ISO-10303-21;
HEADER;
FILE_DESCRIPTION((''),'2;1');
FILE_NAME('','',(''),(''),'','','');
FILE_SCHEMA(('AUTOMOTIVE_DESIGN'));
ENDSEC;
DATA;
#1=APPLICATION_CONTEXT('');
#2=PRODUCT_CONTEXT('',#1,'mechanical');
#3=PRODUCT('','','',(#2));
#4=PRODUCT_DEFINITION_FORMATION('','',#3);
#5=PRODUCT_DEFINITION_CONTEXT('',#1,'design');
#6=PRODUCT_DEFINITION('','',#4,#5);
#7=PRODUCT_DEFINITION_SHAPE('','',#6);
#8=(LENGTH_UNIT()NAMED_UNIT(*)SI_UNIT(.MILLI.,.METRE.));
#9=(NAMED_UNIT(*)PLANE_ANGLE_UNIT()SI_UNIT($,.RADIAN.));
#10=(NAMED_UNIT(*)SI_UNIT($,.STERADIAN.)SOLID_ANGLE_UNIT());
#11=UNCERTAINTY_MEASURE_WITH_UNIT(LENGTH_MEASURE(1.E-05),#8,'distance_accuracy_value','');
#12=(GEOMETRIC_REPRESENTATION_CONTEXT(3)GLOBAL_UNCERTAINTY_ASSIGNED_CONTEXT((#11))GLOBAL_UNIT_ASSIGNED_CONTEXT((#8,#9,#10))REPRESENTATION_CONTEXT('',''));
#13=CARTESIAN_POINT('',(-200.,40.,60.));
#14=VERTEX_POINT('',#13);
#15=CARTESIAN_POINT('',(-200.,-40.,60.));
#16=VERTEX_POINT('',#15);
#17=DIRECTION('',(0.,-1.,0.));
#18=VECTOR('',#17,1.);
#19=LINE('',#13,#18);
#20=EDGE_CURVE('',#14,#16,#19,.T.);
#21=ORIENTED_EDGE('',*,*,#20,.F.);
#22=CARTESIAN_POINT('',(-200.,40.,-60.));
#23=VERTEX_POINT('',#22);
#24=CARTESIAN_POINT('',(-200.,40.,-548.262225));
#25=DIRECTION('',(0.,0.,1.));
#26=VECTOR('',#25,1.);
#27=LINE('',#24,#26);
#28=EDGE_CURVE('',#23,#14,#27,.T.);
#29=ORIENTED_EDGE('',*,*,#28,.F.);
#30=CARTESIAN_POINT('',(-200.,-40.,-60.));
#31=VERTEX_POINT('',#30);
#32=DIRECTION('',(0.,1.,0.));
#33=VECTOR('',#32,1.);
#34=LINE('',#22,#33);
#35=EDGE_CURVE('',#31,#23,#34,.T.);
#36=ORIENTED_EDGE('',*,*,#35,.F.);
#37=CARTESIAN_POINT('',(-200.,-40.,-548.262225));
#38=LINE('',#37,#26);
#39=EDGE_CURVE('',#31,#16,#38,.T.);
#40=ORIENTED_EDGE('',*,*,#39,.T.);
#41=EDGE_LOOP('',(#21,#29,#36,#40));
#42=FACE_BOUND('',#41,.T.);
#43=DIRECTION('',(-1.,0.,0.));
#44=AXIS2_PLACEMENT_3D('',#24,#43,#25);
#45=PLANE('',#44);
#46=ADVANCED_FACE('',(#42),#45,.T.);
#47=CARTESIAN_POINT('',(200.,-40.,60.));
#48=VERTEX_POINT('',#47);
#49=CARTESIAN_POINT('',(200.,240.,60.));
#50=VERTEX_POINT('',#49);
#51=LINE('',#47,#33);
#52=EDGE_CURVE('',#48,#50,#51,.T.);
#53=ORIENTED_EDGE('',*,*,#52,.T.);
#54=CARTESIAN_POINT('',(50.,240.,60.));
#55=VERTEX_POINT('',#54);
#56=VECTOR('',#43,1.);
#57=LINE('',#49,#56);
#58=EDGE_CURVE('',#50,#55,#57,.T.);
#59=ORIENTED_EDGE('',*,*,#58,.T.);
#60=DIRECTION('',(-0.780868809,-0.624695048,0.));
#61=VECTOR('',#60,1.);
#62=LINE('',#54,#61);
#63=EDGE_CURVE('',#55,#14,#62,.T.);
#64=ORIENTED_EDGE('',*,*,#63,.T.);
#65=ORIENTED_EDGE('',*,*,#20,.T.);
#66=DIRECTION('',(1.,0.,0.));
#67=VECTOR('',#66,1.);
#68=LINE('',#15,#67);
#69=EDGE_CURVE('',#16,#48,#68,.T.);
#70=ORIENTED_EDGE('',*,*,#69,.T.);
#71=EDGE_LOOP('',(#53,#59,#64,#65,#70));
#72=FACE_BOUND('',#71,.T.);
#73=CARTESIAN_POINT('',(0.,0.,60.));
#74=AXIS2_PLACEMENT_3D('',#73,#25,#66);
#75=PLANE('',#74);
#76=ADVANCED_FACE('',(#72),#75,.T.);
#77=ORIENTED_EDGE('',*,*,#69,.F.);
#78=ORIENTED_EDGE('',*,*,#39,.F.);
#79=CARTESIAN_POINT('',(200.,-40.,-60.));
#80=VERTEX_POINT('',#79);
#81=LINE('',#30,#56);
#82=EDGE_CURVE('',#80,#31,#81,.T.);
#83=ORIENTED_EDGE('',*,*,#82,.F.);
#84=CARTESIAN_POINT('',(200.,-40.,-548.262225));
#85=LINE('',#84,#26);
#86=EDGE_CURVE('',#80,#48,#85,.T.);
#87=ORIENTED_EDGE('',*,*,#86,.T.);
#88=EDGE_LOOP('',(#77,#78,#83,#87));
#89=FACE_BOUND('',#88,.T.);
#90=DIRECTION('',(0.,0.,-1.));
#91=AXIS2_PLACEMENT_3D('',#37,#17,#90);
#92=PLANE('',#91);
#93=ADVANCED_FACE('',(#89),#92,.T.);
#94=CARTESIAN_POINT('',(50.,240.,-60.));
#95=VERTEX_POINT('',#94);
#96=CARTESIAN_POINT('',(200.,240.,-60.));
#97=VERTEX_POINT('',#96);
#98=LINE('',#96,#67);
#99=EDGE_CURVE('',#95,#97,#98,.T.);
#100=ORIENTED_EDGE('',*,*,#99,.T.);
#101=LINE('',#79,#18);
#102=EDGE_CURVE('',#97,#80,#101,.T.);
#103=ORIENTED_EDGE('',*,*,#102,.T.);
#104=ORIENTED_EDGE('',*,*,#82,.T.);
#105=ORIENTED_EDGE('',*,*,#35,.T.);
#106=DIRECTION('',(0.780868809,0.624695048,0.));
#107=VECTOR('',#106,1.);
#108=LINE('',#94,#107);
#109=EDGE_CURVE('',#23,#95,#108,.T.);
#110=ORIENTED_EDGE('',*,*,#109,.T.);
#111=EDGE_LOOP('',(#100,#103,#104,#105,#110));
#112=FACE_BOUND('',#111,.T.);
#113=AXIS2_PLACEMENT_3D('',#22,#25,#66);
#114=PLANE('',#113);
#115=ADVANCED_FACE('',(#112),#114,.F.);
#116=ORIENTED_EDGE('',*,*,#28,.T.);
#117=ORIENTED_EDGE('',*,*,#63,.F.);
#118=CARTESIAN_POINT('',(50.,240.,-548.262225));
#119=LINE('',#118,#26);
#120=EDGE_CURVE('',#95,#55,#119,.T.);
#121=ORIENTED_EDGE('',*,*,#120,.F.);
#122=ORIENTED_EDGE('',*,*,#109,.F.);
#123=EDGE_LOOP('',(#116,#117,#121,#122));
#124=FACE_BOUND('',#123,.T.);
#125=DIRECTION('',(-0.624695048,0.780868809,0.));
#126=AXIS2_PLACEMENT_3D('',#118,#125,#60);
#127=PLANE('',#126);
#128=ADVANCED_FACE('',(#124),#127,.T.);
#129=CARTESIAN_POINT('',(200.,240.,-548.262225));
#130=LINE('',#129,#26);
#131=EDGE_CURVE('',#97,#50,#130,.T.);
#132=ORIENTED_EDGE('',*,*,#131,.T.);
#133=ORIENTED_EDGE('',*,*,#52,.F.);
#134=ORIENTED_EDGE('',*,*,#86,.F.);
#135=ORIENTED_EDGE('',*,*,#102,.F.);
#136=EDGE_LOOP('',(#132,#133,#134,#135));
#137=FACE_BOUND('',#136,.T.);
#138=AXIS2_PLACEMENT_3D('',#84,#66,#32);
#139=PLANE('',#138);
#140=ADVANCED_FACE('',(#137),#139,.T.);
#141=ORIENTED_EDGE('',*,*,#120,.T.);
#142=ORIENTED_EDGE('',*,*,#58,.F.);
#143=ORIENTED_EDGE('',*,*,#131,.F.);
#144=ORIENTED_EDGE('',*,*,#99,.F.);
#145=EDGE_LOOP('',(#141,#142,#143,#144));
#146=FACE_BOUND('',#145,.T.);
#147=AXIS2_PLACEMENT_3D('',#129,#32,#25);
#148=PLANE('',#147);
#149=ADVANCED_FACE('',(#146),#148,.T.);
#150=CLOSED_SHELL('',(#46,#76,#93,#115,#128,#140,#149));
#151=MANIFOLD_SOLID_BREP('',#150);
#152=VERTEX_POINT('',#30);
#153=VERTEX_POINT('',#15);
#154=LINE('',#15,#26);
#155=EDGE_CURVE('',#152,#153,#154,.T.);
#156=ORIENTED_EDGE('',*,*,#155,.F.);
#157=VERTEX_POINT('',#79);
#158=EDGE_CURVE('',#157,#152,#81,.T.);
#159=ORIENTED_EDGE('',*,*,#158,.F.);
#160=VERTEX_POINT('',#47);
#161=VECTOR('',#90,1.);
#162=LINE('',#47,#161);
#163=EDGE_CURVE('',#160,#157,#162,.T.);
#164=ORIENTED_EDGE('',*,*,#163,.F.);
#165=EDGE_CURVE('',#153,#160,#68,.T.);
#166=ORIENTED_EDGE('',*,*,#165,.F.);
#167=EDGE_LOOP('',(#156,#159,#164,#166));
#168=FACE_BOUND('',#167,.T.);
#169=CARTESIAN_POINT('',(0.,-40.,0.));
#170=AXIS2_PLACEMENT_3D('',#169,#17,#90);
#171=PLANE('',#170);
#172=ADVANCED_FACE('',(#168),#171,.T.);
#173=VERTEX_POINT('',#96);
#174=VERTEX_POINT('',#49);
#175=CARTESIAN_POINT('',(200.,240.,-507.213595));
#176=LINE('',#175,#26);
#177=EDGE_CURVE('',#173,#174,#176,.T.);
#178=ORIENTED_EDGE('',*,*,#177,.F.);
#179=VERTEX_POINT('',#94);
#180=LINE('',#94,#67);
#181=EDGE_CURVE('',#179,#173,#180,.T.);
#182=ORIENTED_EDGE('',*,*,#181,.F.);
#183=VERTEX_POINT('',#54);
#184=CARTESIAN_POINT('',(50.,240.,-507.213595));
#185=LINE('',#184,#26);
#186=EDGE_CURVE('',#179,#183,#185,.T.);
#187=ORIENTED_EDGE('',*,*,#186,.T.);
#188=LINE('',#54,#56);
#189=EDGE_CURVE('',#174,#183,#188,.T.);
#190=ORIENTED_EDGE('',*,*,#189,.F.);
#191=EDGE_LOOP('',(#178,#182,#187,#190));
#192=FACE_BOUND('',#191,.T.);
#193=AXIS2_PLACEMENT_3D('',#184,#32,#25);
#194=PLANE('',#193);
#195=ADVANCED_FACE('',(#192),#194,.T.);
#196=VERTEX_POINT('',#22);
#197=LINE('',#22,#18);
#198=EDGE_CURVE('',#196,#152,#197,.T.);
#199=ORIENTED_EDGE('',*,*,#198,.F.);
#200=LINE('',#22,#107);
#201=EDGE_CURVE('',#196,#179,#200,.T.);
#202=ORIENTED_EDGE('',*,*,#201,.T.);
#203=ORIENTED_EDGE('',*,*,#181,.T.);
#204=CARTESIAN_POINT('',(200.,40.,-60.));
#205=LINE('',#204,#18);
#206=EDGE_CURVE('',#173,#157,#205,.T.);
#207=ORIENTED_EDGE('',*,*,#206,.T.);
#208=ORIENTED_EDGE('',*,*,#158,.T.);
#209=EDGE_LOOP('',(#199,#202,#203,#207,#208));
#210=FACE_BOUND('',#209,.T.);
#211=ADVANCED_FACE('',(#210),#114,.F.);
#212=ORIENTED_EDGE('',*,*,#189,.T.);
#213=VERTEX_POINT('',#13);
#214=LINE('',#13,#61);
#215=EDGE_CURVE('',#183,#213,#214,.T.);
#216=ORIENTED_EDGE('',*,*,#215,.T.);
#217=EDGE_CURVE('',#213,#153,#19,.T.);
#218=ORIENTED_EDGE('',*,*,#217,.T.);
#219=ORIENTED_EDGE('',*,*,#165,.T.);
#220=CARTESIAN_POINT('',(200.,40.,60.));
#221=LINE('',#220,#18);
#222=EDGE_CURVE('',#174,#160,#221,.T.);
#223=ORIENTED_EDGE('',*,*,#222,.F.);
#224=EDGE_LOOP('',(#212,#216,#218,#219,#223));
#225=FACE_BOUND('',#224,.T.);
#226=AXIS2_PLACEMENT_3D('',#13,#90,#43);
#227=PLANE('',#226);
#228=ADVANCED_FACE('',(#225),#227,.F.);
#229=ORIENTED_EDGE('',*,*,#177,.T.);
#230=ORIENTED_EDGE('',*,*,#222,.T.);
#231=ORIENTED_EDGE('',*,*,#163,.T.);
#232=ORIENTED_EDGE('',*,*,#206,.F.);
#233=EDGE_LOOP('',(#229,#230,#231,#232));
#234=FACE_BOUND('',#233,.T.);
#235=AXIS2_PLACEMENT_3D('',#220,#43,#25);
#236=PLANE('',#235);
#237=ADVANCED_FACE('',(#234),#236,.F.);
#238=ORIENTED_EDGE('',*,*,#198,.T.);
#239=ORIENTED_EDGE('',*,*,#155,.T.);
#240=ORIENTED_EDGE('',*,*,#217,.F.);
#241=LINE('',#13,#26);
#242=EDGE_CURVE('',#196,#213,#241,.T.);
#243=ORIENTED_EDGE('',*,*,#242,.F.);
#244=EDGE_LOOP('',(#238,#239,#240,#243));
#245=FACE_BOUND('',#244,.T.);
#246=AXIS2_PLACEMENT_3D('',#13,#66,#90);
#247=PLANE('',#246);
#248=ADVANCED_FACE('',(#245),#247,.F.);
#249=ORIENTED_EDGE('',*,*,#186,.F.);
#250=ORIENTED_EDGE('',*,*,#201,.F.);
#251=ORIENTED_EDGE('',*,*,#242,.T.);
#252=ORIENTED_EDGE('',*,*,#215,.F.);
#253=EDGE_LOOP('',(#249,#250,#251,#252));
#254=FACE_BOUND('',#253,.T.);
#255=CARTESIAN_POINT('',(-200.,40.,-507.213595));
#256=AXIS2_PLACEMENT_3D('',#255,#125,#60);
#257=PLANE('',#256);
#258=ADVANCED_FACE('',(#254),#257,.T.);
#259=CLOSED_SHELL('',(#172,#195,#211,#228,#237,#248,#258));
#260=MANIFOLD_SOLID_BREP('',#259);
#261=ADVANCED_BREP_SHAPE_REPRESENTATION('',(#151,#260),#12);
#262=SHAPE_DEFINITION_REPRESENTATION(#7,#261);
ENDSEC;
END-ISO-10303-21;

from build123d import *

# Parameters (mm, degrees)
SKETCH1_W           = 400
SKETCH1_H           = 120
BOSS_EXTRUDE1_DEPTH = 40
BOSS_EXTRUDE2_DEPTH = 120
BOSS_EXTRUDE3_DEPTH = 120


with BuildPart() as part:
    # Sketch1 → Boss-Extrude1 (new body, symmetric)
    with BuildSketch(Plane(origin=(0, 0, 0), x_dir=(1, 0, 0), z_dir=(0, 1, 0))):
        Rectangle(SKETCH1_W, SKETCH1_H)
    extrude(amount=BOSS_EXTRUDE1_DEPTH, both=True)

    # Sketch3 → Boss-Extrude2 (add)
    with BuildSketch(Plane.XY.offset(60)):
        Polygon((-200, 40), (50, 240), (200, 240), (200, 40), align=None)
    extrude(amount=-BOSS_EXTRUDE2_DEPTH)


with BuildPart() as body_2:
    # Sketch4 → Boss-Extrude3 (new body)
    with BuildSketch(Plane.XY.offset(60)):
        Polygon((-200, -40), (200, -40), (200, 240), (50, 240), (-200, 40), align=None)
    extrude(amount=-BOSS_EXTRUDE3_DEPTH)


solid = Compound([part.part, body_2.part])
